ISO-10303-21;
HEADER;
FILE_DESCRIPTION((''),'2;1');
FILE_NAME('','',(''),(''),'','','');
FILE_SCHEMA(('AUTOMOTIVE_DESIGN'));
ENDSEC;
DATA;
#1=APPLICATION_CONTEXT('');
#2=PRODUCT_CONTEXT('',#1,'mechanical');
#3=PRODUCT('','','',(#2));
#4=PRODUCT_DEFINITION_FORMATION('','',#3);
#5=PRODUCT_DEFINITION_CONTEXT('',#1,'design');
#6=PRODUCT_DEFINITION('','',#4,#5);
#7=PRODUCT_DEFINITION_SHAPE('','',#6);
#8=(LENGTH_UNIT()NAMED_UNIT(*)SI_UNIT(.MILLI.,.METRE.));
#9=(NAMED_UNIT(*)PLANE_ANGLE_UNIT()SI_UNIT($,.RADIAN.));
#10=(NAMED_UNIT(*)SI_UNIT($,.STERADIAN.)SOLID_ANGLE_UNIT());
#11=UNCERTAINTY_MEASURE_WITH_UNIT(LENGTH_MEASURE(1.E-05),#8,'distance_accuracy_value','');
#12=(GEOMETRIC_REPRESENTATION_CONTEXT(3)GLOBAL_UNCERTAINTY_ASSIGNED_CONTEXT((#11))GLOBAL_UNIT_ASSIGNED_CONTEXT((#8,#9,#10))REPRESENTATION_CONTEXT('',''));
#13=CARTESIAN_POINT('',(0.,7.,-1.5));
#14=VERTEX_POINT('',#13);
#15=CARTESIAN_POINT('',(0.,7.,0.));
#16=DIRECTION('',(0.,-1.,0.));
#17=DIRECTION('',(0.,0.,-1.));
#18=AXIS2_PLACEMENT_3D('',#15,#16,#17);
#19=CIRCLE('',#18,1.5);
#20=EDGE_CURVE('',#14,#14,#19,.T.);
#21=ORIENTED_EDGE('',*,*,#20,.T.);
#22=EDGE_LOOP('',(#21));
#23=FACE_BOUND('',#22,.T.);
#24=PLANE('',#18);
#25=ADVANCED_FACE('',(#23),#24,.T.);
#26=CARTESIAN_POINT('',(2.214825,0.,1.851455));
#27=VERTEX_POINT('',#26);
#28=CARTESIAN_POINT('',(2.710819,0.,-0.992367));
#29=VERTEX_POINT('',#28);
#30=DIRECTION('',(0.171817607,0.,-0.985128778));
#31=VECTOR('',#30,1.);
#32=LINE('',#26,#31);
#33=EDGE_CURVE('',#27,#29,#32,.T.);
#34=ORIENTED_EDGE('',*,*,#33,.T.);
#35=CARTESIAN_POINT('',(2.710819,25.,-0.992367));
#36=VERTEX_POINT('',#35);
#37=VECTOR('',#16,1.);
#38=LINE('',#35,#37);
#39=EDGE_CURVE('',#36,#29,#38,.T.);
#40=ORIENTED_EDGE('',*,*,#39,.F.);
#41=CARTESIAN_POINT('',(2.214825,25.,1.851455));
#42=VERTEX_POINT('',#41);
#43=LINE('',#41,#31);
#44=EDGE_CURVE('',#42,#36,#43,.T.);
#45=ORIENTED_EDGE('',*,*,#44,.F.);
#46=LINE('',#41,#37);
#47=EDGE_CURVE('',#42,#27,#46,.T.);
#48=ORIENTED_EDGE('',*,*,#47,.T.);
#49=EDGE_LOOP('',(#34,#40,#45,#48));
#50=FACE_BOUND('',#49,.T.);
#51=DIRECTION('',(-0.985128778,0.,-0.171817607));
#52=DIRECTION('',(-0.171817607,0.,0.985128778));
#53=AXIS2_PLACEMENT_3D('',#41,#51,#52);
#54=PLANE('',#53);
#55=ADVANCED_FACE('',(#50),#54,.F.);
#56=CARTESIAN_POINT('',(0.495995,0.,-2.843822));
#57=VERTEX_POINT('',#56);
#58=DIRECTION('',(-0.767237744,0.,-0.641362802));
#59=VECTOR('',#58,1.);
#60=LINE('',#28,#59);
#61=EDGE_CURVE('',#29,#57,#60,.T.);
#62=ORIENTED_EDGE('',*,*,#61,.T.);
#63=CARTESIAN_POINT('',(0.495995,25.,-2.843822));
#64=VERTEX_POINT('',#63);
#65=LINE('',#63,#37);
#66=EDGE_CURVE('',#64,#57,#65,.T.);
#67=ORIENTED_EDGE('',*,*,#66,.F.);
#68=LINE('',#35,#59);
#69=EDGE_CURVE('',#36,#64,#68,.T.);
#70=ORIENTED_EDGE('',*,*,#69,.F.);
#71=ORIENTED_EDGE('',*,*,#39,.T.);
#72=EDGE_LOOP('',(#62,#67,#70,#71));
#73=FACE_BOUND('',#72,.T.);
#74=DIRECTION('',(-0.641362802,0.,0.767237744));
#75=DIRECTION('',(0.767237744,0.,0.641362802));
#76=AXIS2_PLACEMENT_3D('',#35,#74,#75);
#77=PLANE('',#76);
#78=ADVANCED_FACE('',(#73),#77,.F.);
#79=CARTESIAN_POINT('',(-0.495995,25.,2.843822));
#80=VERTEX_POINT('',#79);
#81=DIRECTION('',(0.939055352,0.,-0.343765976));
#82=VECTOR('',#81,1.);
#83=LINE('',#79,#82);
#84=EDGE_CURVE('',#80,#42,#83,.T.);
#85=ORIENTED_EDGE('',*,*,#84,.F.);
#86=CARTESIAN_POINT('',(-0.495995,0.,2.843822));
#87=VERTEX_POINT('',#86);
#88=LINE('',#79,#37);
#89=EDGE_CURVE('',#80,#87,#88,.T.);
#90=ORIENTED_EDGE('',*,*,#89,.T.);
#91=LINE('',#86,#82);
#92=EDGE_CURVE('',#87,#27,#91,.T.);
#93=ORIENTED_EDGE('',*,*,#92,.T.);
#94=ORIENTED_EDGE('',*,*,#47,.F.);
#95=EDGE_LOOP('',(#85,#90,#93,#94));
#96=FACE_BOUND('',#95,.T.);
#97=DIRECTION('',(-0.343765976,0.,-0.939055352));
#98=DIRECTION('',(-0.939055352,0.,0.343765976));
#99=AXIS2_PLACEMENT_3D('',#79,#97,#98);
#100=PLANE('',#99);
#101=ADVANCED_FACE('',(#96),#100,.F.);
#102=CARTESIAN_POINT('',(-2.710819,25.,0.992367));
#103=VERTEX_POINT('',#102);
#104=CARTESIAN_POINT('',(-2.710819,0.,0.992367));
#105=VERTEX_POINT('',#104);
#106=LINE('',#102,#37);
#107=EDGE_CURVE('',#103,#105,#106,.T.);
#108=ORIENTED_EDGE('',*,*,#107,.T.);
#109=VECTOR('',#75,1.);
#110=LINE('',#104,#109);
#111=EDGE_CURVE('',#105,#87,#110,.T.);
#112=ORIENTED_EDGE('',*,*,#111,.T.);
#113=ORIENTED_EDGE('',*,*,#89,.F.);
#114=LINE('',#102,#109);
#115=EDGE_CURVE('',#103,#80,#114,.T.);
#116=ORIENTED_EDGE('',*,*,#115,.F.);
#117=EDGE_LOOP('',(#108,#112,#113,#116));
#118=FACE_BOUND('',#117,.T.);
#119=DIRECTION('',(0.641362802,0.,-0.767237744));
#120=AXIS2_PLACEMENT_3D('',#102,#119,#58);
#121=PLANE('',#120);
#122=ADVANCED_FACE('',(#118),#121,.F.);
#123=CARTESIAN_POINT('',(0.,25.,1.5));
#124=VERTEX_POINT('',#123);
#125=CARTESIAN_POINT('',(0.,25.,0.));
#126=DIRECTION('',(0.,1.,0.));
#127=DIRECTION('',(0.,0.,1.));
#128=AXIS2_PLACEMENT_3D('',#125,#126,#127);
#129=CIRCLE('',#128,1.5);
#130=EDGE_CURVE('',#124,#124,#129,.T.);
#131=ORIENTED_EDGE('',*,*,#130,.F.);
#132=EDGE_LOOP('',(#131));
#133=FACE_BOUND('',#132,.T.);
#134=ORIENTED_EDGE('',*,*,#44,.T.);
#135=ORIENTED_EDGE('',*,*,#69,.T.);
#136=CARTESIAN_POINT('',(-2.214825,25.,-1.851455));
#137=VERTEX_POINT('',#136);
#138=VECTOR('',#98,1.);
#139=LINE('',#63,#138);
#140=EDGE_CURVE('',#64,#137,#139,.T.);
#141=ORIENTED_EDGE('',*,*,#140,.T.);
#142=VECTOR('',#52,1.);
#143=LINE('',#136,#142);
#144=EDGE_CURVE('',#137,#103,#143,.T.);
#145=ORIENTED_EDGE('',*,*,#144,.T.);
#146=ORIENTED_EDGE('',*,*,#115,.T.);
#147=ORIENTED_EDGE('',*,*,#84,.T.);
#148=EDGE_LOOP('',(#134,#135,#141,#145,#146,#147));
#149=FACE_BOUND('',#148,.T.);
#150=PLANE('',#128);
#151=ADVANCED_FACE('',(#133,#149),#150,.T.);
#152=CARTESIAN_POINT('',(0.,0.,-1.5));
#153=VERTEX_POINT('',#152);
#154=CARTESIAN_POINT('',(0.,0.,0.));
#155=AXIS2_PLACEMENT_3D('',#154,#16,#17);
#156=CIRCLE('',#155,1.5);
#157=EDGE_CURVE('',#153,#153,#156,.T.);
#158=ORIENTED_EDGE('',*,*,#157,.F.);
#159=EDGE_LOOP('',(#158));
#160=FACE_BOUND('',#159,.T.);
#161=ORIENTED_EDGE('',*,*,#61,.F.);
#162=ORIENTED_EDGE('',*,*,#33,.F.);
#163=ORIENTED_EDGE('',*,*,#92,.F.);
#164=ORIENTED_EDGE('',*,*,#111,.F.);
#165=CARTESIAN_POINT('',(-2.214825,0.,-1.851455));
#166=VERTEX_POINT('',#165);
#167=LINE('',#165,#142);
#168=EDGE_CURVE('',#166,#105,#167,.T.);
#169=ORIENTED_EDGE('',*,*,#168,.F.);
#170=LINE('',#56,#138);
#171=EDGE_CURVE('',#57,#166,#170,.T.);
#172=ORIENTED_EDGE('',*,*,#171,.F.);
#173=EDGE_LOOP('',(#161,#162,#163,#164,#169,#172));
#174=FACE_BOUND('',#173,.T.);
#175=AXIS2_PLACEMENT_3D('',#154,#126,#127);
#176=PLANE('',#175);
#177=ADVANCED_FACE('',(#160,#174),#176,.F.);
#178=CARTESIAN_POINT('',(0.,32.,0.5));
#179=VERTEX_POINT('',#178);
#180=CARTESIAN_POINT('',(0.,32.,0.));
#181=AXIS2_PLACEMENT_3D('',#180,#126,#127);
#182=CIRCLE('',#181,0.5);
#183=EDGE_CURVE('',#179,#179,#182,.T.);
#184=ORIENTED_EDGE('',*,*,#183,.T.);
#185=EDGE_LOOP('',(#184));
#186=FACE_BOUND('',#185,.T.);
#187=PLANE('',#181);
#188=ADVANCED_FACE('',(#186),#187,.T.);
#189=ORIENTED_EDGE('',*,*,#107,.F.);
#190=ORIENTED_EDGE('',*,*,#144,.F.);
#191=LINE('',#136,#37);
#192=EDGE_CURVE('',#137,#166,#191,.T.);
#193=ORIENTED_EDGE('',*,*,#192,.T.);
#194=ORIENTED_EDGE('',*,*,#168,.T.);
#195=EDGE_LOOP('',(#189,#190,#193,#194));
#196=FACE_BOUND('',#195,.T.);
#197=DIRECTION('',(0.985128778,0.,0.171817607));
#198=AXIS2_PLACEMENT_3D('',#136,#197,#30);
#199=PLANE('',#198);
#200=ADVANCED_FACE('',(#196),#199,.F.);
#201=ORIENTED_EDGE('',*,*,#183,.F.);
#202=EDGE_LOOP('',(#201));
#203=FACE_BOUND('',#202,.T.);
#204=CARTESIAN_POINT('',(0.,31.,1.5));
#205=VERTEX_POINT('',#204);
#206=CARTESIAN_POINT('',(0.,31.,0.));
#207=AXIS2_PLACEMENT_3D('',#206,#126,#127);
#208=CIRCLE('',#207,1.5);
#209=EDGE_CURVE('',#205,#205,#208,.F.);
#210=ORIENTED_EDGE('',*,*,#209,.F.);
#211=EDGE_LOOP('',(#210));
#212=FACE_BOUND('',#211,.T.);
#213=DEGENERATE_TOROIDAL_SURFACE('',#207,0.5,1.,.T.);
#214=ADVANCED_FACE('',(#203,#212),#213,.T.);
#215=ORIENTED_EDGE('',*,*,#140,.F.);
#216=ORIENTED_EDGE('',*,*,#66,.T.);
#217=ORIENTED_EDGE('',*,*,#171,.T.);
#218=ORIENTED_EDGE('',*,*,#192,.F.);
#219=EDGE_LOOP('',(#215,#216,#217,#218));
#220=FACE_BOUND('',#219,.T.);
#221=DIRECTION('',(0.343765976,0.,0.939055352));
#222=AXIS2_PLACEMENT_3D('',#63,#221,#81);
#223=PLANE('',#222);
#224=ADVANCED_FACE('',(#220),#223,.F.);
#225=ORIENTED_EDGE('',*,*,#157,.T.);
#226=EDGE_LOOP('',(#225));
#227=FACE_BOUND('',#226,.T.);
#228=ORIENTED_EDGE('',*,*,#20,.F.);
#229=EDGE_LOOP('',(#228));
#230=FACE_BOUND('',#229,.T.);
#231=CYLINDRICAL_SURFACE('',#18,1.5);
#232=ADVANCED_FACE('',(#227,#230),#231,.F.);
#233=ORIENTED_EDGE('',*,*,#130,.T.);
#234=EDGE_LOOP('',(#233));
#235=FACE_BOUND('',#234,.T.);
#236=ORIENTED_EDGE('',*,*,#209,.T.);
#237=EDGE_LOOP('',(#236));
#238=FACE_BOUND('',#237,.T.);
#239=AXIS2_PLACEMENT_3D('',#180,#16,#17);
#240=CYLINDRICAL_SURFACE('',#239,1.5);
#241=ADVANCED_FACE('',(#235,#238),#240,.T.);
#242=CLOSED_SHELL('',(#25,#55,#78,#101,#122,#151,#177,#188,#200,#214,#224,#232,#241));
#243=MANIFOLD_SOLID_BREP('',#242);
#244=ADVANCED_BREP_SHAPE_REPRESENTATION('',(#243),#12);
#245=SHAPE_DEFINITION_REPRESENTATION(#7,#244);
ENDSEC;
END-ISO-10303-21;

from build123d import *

# Parameters (mm, degrees)
BOSS_EXTRUDE1_DEPTH = 25
SKETCH2_R           = 1.5
BOSS_EXTRUDE2_DEPTH = 7
SKETCH3_R           = 1.5
CUT_EXTRUDE1_DEPTH  = 7
FILLET1_R           = 1


with BuildPart() as part:
    # Sketch1 → Boss-Extrude1 (new body)
    with BuildSketch(Plane(origin=(0, 0, 0), x_dir=(1, 0, 0), z_dir=(0, 1, 0))):
        Polygon((2.214824591, -1.851454932), (2.7108193, 0.992366895), (0.495994709, 2.843821827), (-2.214824591, 1.851454932), (-2.7108193, -0.992366895), (-0.495994709, -2.843821827), align=None)
    extrude(amount=BOSS_EXTRUDE1_DEPTH)

    # Sketch2 → Boss-Extrude2 (add)
    with BuildSketch(Plane(origin=(0, 25, 0), x_dir=(1, 0, 0), z_dir=(0, 1, 0))):
        Circle(SKETCH2_R)
    extrude(amount=BOSS_EXTRUDE2_DEPTH)

    # Sketch3 → Cut-Extrude1 (cut)
    with BuildSketch(Plane.XZ):
        Circle(SKETCH3_R)
    extrude(amount=-CUT_EXTRUDE1_DEPTH, mode=Mode.SUBTRACT)

    # Fillet1
    fillet1_edges = [part.edges().sort_by_distance(p)[0] for p in [
        (-1.5, 32, 0),
    ]]
    fillet(fillet1_edges, radius=FILLET1_R)


solid = part.part
